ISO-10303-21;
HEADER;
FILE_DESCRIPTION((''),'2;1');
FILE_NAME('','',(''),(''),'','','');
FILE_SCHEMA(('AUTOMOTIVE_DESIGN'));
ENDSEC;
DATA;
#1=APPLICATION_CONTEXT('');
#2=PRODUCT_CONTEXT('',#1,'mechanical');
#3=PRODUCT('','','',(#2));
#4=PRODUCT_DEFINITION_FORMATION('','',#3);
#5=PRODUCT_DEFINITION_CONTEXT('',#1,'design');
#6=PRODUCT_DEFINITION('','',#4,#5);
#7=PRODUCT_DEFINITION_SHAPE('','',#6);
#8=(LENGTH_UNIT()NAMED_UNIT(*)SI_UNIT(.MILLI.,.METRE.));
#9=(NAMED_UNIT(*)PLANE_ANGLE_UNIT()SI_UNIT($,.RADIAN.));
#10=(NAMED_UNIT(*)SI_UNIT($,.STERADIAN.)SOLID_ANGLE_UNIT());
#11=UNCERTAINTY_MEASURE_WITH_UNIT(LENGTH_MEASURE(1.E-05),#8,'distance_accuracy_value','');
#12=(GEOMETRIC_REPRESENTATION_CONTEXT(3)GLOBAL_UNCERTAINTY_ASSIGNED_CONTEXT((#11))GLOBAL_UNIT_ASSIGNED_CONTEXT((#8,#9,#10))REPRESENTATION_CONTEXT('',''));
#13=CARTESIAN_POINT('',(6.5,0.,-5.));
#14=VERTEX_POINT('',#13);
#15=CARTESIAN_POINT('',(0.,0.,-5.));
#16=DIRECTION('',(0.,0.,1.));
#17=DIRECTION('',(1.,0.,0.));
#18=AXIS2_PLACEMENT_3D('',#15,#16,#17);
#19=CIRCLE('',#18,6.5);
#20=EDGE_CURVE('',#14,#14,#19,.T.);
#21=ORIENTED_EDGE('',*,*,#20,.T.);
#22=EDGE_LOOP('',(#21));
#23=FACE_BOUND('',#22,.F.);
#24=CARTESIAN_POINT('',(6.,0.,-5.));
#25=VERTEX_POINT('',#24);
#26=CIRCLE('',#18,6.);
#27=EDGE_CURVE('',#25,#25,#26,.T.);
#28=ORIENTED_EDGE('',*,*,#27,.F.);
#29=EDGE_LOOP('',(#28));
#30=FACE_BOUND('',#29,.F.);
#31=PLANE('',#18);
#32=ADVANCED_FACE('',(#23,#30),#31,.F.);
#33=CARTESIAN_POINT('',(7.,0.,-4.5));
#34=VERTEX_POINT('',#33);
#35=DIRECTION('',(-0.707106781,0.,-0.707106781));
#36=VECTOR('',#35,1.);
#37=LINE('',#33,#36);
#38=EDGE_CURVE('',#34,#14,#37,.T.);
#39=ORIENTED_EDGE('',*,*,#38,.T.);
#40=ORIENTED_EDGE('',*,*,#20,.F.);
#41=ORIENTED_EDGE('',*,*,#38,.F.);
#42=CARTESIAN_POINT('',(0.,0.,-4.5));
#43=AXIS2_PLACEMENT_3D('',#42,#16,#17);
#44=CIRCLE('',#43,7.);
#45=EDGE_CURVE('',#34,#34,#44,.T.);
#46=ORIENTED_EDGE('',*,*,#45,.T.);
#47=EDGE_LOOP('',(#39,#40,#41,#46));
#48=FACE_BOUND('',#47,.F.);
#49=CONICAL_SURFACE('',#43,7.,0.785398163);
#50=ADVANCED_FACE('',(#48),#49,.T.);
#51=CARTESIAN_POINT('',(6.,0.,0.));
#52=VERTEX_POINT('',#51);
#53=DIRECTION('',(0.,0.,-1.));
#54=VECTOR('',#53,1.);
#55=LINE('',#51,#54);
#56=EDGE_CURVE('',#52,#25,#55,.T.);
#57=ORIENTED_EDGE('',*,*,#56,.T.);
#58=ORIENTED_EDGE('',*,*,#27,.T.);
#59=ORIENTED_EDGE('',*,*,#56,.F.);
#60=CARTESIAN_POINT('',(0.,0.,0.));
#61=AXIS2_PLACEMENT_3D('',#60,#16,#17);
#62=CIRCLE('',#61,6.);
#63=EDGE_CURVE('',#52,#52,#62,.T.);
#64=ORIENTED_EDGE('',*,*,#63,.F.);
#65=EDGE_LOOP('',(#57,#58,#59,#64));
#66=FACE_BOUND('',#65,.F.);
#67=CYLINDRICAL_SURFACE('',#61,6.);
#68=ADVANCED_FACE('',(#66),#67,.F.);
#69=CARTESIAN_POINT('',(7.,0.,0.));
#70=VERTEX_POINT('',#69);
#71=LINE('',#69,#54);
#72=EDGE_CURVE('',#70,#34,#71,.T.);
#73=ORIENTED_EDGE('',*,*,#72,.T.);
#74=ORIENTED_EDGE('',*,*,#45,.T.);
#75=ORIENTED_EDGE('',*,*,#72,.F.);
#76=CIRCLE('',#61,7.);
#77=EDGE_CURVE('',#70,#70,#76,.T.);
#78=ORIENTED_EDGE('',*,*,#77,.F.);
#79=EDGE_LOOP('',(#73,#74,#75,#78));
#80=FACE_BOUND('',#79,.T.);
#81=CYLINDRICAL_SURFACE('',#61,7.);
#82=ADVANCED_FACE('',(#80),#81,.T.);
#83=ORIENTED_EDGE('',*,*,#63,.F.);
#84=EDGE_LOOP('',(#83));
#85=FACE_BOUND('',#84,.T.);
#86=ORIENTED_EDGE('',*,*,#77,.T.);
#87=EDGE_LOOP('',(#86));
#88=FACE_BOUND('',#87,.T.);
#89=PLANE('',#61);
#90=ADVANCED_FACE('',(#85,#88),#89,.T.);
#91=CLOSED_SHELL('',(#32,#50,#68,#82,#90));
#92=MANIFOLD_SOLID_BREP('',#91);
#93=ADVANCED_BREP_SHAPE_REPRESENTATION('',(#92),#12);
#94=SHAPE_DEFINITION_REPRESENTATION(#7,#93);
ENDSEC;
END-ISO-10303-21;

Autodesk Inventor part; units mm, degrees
ref_plane "YZ Plane" through (0, 0, 0) normal (1, 0, 0) x (0, 1, 0)
ref_plane "XZ Plane" through (0, 0, 0) normal (0, 1, 0) x (-1, 0, 0)
ref_plane "XY Plane" through (0, 0, 0) normal (0, 0, 1) x (1, 0, 0)
sketch "Sketch1" plane through (0, 0, 0) normal (0, 0, 1) x (1, 0, 0)
  circle A0 centre (0, 0) radius 6
  circle A1 centre (0, 0) radius 7
  dimension "d0" = 12
  dimension "d1" = 14
extrude "Extrusion1" add sketch "Sketch1" against normal blind 5
chamfer "Chamfer1" distance 0.5 angle 45 1 edges at (-7, 0, -5)
properties part number "w5f12-14n" material "アセタール樹脂、黒"
